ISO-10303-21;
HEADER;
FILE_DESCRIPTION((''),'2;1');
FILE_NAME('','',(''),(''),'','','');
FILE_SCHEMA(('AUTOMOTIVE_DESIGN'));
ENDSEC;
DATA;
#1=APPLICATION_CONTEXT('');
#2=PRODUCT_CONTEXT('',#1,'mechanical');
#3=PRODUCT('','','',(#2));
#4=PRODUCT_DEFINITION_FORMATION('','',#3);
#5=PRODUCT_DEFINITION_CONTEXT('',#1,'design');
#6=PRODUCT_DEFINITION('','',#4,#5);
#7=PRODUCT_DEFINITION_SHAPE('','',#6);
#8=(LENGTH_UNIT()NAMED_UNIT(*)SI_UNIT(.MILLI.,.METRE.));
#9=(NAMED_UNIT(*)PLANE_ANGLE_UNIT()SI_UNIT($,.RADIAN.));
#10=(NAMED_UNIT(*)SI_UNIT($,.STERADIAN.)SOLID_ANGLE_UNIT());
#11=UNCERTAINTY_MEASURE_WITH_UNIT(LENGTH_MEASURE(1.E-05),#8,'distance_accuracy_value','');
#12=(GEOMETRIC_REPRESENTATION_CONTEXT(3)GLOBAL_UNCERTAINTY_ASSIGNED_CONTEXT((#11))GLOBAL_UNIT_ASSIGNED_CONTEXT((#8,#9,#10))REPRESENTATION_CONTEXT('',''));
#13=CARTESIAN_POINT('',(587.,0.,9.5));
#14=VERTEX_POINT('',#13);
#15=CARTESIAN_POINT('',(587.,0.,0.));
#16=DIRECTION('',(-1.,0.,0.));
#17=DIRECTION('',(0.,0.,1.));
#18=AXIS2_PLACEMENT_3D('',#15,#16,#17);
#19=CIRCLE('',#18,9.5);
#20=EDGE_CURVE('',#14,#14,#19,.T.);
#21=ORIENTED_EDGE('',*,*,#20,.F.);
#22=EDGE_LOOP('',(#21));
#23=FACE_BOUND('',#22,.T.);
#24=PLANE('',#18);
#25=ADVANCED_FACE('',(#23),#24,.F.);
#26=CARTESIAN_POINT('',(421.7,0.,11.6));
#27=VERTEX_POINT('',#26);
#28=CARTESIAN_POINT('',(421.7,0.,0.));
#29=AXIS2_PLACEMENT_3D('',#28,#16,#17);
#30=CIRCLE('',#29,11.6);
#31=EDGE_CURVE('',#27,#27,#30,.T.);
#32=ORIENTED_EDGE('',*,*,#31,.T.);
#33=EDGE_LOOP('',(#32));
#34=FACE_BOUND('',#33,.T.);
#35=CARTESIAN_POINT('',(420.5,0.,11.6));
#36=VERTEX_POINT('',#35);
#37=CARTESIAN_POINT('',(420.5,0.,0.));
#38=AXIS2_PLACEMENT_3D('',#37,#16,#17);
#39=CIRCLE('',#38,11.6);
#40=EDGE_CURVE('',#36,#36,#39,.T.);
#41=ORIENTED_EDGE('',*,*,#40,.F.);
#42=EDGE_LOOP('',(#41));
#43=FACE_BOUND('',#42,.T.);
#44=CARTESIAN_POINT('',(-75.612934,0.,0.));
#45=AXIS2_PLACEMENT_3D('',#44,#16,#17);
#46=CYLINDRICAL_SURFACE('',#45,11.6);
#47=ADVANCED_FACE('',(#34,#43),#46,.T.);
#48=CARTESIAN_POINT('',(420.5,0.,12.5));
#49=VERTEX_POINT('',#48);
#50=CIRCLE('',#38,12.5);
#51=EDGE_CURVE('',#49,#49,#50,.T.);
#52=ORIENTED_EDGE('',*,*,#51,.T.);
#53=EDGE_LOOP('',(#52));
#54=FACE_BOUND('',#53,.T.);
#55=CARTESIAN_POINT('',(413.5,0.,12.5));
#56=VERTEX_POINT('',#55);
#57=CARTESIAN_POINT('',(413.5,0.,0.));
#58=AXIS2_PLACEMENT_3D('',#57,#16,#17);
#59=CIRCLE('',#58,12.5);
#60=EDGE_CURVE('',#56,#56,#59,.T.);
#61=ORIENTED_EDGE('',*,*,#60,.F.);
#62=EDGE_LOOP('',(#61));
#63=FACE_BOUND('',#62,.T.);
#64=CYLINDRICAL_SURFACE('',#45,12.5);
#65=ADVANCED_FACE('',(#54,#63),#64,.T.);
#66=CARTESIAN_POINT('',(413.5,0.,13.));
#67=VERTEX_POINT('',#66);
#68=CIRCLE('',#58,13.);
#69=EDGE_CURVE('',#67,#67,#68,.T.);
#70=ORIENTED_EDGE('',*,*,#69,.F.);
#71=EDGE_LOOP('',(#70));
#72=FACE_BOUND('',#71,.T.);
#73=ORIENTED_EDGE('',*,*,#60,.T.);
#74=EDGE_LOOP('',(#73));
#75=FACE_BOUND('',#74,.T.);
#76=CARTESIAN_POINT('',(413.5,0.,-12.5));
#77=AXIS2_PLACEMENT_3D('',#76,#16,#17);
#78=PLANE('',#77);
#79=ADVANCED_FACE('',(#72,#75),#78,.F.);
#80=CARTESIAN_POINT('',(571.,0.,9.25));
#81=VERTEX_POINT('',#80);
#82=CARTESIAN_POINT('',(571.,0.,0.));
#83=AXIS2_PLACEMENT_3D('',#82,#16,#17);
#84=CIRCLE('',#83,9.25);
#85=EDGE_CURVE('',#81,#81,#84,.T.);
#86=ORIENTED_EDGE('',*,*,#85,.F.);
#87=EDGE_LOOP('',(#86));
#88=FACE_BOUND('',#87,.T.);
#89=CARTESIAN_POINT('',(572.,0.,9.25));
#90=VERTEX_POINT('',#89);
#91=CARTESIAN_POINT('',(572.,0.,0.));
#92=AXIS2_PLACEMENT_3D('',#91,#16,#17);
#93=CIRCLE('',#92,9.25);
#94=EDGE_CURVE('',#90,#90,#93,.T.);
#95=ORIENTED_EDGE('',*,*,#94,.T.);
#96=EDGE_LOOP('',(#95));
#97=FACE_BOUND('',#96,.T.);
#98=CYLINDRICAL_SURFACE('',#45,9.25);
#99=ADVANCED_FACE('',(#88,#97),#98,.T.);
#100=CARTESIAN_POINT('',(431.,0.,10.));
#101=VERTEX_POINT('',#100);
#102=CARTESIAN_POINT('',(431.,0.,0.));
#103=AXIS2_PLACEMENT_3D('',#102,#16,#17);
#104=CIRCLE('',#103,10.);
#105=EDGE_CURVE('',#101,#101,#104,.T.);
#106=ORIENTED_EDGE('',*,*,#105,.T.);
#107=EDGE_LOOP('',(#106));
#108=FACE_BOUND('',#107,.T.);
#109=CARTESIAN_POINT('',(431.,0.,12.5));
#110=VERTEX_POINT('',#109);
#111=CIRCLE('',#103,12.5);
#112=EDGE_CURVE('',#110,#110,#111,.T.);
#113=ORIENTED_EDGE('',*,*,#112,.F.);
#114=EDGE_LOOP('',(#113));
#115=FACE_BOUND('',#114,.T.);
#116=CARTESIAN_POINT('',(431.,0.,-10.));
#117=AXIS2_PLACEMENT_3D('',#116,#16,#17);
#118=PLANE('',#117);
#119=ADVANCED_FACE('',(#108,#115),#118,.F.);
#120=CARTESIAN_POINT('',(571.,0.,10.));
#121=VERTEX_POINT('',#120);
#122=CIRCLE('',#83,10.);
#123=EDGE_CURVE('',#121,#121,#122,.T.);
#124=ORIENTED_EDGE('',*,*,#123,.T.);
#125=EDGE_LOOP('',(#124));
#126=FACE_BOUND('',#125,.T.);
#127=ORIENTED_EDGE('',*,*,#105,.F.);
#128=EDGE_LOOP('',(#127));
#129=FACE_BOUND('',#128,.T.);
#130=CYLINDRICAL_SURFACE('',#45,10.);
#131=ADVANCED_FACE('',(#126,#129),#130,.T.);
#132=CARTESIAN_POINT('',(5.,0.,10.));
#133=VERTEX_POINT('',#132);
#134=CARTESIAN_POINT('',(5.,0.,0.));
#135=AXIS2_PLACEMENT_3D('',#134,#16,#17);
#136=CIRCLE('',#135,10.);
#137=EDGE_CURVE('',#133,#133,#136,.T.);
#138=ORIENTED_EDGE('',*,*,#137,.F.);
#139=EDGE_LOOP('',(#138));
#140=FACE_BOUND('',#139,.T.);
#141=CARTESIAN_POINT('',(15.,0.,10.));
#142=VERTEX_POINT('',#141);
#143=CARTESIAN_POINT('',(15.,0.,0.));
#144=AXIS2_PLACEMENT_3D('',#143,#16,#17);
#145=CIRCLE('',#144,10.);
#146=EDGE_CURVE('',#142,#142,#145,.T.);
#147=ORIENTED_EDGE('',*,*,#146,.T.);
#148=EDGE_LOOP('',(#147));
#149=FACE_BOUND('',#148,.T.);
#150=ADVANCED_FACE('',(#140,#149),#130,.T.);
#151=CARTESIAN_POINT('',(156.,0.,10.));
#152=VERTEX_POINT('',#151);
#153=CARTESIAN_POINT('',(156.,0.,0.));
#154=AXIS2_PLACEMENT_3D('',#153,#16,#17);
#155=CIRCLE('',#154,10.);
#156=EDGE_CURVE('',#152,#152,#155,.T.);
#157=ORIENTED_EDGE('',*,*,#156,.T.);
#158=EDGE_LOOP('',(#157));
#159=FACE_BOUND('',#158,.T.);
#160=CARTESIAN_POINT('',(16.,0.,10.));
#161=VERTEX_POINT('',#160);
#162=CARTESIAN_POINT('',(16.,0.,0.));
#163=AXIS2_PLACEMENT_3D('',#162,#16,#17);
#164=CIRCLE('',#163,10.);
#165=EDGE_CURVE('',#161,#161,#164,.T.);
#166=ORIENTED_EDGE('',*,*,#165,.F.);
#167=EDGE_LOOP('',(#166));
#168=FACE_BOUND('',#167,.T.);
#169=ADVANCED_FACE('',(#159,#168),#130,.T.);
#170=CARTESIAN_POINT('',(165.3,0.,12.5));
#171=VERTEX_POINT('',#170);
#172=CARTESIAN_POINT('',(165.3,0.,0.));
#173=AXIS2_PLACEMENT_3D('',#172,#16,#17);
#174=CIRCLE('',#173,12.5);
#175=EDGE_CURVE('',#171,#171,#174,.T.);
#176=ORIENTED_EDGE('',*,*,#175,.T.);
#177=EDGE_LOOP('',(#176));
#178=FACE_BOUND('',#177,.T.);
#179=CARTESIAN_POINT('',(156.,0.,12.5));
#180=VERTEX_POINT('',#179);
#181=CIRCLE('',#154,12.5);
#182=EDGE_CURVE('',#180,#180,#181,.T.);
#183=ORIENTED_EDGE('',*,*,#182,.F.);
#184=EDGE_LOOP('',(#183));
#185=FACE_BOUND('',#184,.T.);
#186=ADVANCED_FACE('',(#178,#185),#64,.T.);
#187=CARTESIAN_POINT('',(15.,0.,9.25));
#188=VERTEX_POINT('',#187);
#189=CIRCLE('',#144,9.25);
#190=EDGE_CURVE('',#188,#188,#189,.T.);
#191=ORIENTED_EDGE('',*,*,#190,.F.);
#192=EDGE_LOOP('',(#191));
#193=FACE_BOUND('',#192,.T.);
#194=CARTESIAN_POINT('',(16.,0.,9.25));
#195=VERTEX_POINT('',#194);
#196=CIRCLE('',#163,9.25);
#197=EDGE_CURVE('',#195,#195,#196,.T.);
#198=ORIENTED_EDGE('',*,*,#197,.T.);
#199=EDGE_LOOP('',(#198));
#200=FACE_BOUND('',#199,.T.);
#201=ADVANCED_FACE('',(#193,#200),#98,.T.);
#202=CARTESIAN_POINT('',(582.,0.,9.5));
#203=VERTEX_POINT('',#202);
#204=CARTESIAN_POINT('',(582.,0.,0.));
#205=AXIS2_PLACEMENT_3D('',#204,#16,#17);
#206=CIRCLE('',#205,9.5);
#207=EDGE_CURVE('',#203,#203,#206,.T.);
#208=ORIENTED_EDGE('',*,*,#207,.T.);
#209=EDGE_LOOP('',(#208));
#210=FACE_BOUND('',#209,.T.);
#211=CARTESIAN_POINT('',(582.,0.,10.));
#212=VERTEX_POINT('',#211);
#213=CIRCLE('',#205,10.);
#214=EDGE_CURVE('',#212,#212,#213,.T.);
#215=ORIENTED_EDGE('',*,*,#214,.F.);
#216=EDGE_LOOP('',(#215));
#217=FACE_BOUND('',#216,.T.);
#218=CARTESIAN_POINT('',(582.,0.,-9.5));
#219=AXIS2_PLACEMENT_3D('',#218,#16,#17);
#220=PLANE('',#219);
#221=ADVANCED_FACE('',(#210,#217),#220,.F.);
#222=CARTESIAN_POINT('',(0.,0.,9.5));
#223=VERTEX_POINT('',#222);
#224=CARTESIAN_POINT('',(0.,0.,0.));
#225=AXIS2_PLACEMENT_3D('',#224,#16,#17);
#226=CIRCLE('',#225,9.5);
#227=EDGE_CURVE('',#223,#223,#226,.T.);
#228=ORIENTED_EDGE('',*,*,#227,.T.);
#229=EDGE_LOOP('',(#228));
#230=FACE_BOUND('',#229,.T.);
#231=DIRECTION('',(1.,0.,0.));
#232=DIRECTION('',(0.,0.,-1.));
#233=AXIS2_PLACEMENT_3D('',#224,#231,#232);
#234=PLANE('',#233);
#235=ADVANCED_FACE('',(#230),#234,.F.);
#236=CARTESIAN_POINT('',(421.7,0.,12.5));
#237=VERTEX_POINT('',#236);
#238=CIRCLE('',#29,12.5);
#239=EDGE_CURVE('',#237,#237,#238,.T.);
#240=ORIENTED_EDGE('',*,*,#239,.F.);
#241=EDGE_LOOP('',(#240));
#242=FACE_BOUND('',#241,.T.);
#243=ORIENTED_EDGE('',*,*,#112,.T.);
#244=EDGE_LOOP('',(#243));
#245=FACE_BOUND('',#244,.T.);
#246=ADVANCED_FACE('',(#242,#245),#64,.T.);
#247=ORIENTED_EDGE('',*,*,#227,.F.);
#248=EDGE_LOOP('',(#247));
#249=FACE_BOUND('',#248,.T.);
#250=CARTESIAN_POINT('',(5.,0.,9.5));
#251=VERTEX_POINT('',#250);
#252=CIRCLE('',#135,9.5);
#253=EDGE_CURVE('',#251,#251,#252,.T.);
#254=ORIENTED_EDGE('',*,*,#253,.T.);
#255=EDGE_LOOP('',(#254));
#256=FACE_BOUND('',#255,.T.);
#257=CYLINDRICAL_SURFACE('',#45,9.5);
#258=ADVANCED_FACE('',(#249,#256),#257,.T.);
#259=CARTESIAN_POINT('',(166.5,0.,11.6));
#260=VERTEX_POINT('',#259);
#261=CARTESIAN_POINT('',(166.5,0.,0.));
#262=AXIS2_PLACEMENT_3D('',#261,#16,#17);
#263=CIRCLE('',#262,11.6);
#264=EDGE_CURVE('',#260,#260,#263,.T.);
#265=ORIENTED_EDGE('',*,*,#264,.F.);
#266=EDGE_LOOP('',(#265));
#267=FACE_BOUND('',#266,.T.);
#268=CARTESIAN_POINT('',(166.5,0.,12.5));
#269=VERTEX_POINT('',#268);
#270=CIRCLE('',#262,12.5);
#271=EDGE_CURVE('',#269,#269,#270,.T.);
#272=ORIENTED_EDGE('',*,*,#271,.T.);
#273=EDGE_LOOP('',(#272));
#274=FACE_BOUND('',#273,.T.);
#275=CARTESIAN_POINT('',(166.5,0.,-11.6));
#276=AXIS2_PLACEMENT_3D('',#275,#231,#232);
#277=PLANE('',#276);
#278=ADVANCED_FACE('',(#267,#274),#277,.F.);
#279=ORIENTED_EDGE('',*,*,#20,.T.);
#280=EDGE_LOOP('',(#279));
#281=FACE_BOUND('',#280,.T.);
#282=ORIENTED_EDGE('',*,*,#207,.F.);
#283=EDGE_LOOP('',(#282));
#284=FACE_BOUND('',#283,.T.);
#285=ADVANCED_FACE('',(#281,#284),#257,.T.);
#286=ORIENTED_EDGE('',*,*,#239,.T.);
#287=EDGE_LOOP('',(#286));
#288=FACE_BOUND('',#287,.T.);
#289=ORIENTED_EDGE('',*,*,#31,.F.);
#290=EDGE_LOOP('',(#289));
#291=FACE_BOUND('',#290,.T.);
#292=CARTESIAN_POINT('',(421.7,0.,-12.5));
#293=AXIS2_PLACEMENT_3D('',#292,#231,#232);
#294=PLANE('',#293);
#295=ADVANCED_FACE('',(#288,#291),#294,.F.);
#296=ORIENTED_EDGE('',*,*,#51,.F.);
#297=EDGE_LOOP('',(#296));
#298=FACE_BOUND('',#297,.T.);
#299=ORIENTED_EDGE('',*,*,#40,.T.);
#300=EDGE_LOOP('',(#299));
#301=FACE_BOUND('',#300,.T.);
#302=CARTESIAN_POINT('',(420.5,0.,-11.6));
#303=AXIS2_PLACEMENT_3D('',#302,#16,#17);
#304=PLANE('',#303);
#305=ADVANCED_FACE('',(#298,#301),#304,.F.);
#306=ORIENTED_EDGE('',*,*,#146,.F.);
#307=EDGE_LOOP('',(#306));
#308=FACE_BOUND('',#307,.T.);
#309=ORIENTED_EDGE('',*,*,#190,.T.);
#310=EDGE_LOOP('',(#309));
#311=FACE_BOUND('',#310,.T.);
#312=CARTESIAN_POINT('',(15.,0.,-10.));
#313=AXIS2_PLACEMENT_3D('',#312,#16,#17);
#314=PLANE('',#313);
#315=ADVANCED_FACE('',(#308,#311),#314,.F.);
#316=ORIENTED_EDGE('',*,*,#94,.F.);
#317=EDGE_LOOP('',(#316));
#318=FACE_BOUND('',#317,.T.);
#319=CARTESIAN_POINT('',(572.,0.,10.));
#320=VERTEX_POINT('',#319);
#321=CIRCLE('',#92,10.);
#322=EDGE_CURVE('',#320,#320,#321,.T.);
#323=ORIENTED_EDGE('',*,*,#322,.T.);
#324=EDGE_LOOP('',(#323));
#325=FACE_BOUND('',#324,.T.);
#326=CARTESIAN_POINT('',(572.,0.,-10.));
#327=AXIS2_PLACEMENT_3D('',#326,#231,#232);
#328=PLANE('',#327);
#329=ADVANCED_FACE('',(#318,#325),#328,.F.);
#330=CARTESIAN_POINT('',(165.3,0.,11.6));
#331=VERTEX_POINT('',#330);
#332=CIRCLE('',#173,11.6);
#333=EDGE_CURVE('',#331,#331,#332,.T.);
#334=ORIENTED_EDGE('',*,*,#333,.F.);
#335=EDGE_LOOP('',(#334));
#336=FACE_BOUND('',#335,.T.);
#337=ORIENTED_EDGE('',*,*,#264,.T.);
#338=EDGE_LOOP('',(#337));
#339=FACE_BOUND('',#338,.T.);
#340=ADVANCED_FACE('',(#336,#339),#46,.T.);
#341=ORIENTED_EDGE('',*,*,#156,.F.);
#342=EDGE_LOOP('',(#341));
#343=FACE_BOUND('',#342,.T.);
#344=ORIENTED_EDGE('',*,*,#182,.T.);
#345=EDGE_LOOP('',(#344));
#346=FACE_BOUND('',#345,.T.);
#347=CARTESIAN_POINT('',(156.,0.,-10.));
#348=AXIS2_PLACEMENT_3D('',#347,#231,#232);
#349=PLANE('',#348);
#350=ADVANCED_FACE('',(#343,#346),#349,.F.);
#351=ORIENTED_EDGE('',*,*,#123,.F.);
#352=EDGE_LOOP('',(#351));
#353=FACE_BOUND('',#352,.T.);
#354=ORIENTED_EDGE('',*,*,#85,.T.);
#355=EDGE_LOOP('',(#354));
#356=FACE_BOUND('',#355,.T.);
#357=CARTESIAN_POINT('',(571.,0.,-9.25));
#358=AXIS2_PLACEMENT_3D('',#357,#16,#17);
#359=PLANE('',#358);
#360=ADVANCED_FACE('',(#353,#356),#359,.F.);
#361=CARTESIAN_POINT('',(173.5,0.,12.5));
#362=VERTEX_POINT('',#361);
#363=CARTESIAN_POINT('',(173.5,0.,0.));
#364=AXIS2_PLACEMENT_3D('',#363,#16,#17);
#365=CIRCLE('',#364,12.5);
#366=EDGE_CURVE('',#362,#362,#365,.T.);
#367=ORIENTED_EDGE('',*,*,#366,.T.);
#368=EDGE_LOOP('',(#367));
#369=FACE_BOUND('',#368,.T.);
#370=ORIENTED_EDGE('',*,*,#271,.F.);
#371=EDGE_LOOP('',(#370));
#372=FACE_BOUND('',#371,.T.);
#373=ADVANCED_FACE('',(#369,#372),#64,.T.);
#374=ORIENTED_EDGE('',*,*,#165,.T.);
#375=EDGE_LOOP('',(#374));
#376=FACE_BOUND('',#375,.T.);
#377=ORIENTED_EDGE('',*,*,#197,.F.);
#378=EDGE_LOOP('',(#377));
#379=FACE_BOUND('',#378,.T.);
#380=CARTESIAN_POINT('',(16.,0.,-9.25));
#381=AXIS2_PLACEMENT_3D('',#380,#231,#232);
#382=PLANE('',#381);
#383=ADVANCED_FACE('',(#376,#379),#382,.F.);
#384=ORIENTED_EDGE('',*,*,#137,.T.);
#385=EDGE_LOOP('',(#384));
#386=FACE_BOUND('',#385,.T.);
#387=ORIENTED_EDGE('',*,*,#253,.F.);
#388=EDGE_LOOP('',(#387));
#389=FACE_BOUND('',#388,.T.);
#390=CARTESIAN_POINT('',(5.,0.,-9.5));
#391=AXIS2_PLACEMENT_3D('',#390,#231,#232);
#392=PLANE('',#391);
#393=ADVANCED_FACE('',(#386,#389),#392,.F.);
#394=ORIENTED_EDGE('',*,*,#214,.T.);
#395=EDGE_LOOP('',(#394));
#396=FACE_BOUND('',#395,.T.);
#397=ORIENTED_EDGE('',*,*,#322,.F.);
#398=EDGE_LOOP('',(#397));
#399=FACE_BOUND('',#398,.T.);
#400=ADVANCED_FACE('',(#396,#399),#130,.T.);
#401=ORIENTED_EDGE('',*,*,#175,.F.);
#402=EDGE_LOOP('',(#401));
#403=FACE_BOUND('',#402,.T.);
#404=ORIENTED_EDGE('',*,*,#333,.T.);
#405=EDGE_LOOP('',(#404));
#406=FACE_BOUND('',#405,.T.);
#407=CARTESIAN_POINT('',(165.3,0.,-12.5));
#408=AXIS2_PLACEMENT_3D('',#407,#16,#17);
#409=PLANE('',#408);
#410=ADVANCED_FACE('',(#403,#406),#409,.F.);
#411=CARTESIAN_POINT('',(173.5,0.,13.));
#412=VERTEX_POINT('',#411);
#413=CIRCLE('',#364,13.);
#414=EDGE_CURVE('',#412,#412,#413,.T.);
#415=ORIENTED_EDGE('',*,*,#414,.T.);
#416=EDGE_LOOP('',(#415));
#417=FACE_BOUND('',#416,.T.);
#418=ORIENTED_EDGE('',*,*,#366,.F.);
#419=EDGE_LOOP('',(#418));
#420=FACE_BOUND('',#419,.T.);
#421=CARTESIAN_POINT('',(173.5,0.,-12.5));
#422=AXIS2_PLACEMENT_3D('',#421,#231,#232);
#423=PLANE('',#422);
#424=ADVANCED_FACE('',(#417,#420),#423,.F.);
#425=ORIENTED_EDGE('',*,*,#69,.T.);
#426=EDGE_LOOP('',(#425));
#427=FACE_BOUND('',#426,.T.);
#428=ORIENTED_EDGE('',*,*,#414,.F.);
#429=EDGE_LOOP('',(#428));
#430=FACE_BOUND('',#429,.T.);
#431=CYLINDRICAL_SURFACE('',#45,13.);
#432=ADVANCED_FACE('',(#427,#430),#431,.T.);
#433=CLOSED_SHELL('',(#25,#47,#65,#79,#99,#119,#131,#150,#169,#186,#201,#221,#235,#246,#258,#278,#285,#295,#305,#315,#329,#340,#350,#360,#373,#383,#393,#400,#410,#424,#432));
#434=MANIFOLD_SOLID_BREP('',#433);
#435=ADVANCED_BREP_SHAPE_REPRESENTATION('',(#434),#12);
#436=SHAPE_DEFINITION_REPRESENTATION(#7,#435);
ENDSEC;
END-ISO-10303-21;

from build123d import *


with BuildPart() as part:
    # 草图1 → 旋转1 (revolve)
    with BuildSketch(Plane(origin=(0, 0, 0), x_dir=(1, 0, 0), z_dir=(0, 1, 0)), mode=Mode.PRIVATE) as revolve_1_sk:
        Polygon((0, 0), (0, 9.5), (5, 9.5), (5, 10), (15, 10), (15, 9.25), (16, 9.25), (16, 10), (156, 10), (156, 12.5), (165.3, 12.5), (165.3, 11.6), (166.5, 11.6), (166.5, 12.5), (173.5, 12.5), (173.5, 13), (413.5, 13), (413.5, 12.5), (420.5, 12.5), (420.5, 11.6), (421.7, 11.6), (421.7, 12.5), (431, 12.5), (431, 10), (571, 10), (571, 9.25), (572, 9.25), (572, 10), (582, 10), (582, 9.5), (587, 9.5), (587, 0), align=None)
    revolve(revolve_1_sk.sketch.rotate(Axis((-75.612934102, 0, 0), (1, 0, 0)), 180), axis=Axis((-75.612934102, 0, 0), (1, 0, 0)))


solid = part.part
